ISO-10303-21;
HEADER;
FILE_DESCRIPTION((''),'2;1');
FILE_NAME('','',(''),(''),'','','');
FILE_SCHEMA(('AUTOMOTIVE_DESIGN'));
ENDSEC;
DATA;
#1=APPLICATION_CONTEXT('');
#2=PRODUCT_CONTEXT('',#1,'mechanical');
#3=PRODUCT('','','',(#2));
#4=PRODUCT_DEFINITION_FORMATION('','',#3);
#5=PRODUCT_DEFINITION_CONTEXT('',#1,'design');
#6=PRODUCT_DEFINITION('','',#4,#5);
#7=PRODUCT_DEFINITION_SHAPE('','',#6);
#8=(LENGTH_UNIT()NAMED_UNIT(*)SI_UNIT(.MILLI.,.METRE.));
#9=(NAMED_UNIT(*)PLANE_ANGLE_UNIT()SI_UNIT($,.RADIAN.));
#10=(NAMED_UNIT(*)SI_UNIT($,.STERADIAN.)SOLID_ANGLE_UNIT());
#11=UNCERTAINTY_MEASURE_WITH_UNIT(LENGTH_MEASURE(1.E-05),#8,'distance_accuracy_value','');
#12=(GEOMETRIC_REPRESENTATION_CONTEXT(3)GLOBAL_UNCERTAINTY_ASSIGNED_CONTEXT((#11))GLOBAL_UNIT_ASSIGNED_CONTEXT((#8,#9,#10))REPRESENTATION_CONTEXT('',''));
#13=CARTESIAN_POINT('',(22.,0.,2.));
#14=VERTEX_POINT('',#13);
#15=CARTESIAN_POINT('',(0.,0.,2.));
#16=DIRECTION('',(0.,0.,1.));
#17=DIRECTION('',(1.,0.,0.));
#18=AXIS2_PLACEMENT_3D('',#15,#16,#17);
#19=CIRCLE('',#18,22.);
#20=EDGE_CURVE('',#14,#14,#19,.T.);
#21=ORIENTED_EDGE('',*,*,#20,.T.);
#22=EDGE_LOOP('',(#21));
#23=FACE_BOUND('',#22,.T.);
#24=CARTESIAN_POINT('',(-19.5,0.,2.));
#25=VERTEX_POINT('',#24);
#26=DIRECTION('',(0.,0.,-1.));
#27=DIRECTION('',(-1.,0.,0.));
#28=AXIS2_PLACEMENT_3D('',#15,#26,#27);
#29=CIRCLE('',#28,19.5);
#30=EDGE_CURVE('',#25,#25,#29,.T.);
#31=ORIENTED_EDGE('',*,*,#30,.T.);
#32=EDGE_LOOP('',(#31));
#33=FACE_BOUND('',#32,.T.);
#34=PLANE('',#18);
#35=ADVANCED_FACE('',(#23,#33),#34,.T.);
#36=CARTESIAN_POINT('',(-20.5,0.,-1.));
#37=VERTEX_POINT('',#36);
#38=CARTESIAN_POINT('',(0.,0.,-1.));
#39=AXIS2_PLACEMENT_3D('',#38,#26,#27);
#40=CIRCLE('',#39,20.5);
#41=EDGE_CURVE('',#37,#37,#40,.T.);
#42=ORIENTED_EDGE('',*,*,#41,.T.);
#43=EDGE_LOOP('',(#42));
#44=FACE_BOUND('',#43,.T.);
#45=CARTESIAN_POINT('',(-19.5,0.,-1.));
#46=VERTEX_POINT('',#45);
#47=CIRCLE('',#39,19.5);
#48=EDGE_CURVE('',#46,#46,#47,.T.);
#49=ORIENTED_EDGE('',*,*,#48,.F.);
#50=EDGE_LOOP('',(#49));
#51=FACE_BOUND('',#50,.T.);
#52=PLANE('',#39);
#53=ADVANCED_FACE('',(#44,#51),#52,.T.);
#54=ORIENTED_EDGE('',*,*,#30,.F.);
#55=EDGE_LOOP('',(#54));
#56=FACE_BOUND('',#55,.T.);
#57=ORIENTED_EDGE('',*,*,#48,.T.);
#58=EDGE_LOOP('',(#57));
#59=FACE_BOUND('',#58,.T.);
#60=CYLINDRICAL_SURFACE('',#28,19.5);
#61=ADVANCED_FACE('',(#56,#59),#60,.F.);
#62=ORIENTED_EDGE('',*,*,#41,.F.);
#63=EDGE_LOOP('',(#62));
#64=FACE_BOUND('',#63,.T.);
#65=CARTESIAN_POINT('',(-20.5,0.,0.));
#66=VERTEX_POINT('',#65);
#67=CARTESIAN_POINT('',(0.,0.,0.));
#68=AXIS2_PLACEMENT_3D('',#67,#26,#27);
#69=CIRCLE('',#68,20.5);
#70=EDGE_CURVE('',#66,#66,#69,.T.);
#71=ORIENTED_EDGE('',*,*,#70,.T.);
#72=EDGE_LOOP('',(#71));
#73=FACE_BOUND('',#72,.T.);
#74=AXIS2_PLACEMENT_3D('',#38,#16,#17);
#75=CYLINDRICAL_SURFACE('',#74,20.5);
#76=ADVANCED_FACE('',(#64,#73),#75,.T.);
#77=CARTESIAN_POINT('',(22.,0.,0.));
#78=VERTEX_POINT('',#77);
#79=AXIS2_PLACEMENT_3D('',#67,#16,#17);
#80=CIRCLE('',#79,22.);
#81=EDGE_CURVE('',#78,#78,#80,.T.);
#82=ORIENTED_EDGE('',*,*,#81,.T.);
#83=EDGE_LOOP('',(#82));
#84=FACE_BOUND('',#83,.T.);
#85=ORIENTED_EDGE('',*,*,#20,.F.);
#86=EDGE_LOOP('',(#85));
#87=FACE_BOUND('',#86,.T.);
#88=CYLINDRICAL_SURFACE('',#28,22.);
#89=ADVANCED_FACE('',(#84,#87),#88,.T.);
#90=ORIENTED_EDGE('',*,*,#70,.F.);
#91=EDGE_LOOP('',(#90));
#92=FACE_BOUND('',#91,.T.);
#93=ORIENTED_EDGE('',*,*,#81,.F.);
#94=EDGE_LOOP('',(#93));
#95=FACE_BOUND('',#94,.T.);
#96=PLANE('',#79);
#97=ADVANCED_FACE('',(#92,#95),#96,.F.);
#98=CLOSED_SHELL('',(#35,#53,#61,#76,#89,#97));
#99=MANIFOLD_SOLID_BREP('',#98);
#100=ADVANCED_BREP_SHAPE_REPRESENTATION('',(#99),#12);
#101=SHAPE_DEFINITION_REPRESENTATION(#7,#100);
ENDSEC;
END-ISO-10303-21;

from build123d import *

# Parameters (mm, degrees)
SKETCH1_R           = 22
BOSS_EXTRUDE2_DEPTH = 2
SKETCH4_R           = 20.5
BOSS_EXTRUDE3_DEPTH = 1
SKETCH5_R           = 19.5
CUT_EXTRUDE1_DEPTH  = 32.256999216


with BuildPart() as part:
    # Sketch1 → Boss-Extrude2 (new body)
    with BuildSketch(Plane.XY):
        Circle(SKETCH1_R)
    extrude(amount=BOSS_EXTRUDE2_DEPTH)

    # Sketch4 → Boss-Extrude3 (add)
    with BuildSketch(Plane(origin=(0, 0, 0), x_dir=(-1, 0, 0), z_dir=(0, 0, -1))):
        Circle(SKETCH4_R)
    extrude(amount=BOSS_EXTRUDE3_DEPTH)

    # Sketch5 → Cut-Extrude1 (cut, through all)
    with BuildSketch(Plane(origin=(0, 0, -1), x_dir=(-1, 0, 0), z_dir=(0, 0, -1))):
        Circle(SKETCH5_R)
    extrude(amount=-CUT_EXTRUDE1_DEPTH, mode=Mode.SUBTRACT)


solid = part.part
